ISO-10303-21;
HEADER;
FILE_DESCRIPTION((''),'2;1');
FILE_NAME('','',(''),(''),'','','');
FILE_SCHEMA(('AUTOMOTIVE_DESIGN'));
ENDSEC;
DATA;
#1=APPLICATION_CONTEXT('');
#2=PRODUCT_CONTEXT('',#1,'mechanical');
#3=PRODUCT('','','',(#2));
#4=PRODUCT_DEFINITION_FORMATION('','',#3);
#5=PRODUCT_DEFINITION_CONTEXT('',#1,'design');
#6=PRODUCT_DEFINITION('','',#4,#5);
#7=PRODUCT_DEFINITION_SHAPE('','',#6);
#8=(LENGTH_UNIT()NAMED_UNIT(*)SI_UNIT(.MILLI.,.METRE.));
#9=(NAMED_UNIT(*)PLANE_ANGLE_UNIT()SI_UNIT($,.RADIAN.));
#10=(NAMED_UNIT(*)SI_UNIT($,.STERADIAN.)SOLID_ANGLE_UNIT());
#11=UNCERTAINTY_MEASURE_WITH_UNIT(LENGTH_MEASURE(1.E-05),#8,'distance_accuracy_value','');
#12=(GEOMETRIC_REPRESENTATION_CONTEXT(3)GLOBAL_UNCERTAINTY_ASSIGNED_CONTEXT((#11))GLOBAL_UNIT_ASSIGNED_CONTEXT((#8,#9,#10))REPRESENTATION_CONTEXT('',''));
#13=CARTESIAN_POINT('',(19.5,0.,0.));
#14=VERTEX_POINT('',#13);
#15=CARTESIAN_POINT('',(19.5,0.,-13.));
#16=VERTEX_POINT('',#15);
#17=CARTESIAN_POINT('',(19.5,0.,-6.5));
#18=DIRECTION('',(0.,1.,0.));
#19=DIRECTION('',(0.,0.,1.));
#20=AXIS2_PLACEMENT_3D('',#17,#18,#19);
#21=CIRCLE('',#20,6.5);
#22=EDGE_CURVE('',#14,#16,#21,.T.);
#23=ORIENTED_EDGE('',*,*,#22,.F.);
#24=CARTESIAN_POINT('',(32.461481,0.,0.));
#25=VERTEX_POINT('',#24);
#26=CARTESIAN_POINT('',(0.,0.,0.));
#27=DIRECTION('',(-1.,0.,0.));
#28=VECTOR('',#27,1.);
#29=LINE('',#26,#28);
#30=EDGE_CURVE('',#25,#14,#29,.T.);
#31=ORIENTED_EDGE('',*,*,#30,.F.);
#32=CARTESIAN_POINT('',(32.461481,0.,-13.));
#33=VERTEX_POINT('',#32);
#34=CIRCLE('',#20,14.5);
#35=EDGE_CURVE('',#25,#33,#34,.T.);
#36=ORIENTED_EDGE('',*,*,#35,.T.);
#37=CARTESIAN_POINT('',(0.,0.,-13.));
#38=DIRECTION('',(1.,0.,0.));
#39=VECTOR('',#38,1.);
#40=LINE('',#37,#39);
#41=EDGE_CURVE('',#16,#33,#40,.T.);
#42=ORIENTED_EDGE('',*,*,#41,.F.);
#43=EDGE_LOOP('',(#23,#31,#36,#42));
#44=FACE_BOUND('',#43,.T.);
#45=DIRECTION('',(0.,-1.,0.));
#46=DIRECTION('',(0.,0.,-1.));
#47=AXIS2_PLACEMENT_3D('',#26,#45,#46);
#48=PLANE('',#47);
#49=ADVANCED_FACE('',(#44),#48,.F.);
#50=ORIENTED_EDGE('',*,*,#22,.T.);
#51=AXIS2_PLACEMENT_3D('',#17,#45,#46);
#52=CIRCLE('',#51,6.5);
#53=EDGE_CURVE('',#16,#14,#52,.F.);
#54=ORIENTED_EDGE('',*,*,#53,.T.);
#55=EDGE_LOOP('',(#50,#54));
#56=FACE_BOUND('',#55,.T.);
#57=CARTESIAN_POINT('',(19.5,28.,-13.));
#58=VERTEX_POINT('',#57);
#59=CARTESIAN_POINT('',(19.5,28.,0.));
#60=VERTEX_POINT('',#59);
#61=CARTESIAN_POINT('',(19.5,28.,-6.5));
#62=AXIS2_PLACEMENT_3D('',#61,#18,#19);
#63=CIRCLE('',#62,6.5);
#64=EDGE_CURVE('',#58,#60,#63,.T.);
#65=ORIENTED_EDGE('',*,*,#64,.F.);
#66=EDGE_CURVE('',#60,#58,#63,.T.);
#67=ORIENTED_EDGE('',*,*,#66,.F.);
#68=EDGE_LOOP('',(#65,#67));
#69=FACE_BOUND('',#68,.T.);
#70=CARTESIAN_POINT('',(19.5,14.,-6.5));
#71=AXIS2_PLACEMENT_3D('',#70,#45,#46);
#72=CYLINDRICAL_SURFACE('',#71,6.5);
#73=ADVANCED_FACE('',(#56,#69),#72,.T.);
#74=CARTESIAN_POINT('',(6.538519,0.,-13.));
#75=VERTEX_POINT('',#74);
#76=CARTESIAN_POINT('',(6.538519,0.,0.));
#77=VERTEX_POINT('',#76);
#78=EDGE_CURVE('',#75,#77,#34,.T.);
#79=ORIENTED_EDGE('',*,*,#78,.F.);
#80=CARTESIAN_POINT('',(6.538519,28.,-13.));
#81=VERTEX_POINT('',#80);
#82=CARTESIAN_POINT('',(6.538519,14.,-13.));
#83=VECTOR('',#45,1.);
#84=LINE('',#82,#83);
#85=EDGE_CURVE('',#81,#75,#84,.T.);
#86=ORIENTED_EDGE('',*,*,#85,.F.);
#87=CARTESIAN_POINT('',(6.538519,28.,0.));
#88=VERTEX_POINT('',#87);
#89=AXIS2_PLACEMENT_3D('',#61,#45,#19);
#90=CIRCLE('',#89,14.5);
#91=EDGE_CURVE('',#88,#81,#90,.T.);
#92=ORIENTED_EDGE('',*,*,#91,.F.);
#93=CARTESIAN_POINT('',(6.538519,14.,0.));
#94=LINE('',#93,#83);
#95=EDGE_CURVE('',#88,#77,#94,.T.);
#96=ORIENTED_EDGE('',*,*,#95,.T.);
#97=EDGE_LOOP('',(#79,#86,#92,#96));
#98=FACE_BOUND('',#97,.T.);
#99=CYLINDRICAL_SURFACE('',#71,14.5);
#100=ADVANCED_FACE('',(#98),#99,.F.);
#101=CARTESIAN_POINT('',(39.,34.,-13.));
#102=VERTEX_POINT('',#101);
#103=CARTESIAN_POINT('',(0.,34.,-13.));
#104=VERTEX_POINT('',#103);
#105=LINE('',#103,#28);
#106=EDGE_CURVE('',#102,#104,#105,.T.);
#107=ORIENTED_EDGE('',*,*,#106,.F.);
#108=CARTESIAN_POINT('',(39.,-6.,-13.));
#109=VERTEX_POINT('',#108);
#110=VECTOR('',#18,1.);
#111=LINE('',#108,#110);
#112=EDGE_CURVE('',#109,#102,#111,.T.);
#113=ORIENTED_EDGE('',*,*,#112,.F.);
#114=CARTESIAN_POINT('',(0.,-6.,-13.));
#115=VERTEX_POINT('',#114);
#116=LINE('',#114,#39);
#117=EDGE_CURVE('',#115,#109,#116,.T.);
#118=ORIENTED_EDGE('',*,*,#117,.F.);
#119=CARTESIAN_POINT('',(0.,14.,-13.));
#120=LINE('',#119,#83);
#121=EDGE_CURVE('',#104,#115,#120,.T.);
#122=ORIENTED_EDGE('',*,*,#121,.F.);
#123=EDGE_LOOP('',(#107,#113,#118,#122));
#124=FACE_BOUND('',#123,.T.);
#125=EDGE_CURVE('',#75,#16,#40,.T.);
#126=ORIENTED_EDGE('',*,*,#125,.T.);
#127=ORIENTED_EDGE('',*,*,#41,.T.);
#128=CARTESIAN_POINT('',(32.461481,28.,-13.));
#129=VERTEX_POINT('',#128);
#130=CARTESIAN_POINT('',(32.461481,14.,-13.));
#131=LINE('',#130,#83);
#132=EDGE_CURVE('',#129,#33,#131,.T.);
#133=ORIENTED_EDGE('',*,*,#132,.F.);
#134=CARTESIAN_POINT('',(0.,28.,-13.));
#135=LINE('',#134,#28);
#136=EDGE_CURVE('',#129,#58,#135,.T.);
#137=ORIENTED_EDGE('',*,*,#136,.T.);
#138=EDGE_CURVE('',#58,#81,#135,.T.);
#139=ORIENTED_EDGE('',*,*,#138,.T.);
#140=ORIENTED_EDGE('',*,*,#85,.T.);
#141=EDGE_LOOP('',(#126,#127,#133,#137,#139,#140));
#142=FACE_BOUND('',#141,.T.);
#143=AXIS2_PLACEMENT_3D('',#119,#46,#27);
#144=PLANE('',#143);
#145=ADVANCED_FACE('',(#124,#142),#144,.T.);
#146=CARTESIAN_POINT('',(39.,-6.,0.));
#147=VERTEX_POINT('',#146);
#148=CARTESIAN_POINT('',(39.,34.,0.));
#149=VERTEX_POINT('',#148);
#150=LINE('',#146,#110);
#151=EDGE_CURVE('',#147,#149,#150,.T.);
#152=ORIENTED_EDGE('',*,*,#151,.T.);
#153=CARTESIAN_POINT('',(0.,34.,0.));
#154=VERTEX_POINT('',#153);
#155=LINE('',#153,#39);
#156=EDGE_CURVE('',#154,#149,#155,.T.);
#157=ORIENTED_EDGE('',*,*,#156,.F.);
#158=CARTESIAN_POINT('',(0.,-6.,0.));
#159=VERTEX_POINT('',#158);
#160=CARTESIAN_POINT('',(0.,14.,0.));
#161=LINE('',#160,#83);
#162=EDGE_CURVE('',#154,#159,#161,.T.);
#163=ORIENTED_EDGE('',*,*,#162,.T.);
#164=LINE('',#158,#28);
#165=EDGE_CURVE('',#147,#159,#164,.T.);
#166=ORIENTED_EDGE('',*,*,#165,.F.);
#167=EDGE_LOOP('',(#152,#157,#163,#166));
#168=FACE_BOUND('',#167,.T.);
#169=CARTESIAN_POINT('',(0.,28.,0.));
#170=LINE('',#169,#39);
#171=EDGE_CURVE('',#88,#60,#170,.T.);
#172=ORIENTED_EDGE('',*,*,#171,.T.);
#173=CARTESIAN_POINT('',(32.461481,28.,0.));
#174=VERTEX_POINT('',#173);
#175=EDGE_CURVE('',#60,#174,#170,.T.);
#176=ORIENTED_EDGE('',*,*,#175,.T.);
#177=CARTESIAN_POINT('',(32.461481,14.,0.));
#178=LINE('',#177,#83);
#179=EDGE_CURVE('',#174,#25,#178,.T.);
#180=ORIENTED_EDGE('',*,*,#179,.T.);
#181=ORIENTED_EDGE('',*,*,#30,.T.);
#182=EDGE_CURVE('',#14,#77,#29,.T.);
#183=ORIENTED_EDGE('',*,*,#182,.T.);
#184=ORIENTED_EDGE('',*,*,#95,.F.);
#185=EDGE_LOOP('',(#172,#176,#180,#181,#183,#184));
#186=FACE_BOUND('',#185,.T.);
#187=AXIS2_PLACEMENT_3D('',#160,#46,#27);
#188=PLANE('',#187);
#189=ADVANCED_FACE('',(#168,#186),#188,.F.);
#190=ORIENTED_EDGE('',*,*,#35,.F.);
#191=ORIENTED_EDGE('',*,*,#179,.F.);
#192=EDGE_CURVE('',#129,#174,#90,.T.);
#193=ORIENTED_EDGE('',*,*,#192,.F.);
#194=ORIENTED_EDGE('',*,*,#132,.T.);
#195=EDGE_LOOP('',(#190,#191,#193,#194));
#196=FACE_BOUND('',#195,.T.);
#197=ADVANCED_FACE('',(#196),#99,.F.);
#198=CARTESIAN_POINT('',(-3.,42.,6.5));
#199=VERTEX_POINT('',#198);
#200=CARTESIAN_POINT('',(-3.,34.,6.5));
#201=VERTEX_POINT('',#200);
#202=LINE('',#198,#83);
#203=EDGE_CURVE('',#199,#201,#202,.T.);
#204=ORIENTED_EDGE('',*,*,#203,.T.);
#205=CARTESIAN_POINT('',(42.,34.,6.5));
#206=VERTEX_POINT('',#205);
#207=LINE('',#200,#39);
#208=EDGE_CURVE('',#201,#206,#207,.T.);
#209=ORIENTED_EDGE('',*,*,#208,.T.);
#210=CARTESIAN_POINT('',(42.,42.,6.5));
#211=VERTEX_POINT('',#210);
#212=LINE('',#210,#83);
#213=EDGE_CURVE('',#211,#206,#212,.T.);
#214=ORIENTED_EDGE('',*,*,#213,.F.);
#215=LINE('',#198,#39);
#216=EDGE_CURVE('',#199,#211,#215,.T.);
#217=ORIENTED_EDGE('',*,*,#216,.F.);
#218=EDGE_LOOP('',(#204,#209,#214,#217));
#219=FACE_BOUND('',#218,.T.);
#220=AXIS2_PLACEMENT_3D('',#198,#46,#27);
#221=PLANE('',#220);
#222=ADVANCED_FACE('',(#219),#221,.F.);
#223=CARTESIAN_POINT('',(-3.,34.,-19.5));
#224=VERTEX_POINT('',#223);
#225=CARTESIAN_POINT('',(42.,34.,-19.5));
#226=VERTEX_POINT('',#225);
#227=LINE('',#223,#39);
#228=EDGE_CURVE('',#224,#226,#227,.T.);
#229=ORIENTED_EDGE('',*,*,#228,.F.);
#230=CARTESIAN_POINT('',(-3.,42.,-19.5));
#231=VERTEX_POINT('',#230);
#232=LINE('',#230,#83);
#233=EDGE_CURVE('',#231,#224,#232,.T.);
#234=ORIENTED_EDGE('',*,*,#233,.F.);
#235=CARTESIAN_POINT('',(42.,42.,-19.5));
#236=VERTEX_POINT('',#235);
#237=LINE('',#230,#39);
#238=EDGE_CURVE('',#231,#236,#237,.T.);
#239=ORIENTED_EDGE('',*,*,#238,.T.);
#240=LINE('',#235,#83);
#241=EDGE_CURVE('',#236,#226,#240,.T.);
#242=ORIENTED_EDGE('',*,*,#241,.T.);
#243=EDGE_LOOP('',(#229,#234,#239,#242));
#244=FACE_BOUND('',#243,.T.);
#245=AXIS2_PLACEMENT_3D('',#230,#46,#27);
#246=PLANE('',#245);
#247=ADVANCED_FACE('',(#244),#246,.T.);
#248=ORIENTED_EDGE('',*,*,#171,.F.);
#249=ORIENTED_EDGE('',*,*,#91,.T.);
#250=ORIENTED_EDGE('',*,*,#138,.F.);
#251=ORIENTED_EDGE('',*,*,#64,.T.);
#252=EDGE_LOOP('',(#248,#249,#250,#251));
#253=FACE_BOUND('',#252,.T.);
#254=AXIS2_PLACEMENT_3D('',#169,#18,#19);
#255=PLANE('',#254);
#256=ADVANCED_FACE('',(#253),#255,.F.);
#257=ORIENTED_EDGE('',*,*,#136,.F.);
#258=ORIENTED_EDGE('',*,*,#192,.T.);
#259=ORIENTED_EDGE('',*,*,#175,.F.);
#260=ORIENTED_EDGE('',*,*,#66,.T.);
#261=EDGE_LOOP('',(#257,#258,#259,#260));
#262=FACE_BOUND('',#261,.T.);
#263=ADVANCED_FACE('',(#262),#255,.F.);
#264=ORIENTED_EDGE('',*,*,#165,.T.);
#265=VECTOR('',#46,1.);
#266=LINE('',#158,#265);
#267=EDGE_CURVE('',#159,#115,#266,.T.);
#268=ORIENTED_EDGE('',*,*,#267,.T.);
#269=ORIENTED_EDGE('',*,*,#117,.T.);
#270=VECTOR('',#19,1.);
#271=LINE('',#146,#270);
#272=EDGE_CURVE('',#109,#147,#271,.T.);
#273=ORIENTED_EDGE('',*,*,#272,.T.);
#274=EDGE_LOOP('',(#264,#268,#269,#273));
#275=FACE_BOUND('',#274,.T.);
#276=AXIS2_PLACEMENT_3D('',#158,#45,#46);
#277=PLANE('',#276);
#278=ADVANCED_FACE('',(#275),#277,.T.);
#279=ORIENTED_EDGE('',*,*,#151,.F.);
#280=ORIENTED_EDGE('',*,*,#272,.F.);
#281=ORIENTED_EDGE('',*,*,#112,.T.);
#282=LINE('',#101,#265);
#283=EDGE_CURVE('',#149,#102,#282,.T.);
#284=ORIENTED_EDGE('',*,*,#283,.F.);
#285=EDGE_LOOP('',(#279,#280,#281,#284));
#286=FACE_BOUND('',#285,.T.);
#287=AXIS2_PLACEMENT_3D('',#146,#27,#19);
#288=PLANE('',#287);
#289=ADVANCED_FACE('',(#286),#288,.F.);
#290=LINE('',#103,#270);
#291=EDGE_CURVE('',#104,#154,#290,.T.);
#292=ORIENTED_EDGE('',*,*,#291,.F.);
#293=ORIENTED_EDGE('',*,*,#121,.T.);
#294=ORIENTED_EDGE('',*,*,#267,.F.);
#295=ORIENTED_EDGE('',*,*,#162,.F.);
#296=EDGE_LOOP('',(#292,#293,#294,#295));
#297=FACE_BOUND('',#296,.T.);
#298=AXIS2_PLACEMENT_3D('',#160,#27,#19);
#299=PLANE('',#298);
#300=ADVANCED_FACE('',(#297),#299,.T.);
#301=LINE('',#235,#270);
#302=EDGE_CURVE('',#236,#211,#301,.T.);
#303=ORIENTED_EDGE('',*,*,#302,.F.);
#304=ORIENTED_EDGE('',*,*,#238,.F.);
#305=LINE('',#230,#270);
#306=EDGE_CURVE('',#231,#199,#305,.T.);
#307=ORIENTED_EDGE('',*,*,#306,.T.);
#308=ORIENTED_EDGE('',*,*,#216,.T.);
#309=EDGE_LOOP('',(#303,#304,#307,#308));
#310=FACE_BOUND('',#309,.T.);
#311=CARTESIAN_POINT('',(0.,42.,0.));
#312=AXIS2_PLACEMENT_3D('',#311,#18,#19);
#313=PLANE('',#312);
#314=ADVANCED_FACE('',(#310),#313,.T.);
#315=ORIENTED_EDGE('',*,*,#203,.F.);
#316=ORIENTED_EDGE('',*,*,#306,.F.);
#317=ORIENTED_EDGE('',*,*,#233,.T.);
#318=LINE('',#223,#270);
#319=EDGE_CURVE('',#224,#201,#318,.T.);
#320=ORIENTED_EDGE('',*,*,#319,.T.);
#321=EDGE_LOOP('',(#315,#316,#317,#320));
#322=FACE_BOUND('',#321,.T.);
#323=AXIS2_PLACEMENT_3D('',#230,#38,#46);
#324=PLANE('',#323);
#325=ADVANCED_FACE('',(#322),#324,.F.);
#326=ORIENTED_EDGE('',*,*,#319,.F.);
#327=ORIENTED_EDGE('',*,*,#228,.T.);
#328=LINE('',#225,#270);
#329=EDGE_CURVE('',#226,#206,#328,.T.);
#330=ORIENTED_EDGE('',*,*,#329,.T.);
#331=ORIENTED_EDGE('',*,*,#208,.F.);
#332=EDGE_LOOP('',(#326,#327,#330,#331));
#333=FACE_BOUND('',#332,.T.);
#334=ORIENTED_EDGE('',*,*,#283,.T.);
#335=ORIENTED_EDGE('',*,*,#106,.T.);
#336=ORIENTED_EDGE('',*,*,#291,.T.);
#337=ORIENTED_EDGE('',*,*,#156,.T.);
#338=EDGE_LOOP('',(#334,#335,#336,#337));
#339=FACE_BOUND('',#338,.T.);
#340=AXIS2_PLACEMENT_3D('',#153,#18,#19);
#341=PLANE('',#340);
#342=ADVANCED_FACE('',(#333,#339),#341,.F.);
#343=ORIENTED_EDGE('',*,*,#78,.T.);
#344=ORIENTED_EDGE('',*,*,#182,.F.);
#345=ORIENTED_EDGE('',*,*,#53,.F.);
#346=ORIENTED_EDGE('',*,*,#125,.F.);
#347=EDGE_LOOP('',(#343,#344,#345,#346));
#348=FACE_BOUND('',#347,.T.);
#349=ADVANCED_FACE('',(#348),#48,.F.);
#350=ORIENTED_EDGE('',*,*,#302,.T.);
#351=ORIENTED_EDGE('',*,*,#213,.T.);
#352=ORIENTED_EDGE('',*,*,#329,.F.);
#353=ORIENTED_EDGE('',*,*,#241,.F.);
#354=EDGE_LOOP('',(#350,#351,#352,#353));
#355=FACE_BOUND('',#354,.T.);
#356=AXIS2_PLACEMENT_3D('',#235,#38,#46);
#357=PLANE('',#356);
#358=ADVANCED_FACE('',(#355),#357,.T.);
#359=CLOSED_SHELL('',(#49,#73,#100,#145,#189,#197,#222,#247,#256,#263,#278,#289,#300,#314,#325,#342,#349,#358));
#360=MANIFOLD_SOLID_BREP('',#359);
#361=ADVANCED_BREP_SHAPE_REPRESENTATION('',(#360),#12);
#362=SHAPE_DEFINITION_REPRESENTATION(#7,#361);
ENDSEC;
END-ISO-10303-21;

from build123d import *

# Parameters (mm, degrees)
EXTRUDE_1_DEPTH   = 14
SKETCH_1_R        = 6.5
EXTRUDE_1_2_DEPTH = 14
EXTRUDE_1_3_DEPTH = 14
SKETCH_2_W        = 39
SKETCH_2_H        = 13
EXTRUDE_2_DEPTH   = 6
SKETCH_3_R        = 6.5
EXTRUDE_3_DEPTH   = 14
SKETCH_4_W        = 39
SKETCH_4_H        = 13
EXTRUDE_4_DEPTH   = 6
SKETCH_5_W        = 45
SKETCH_5_H        = 26
EXTRUDE_5_DEPTH   = 8


with BuildPart() as part:
    # Эскиз1 → Бобышка-Вытянуть1 (new body)
    with BuildSketch(Plane(origin=(0, 0, 0), x_dir=(1, 0, 0), z_dir=(0, 1, 0))):
        with BuildLine():
            Line((0, 13), (0, 0))
            Line((0, 0), (6.538518603, 0))
            ThreePointArc((6.538518603, 0), (5, 6.5), (6.538518603, 13))
            Line((6.538518603, 13), (0, 13))
        make_face()
    extrude(amount=EXTRUDE_1_DEPTH)



with BuildPart() as body_2:
    # Эскиз1 → Extrude 1 2 (new body)
    with BuildSketch(Plane(origin=(0, 0, 0), x_dir=(1, 0, 0), z_dir=(0, 1, 0))):
        with Locations(Location((19.5, 6.5, 0), (0, 0, 270))):
            Circle(SKETCH_1_R)
    extrude(amount=EXTRUDE_1_2_DEPTH)


with BuildPart() as body_3:
    # Эскиз1 → Extrude 1 3 (new body)
    with BuildSketch(Plane(origin=(0, 0, 0), x_dir=(1, 0, 0), z_dir=(0, 1, 0))):
        with BuildLine():
            ThreePointArc((34, 6.5), (33.61012899, 3.160200624), (32.461481397, 0))
            Line((32.461481397, 0), (39, 0))
            Line((39, 0), (39, 13))
            Line((39, 13), (32.461481397, 13))
            ThreePointArc((32.461481397, 13), (33.61012899, 9.839799376), (34, 6.5))
        make_face()
    extrude(amount=EXTRUDE_1_3_DEPTH)


with BuildPart() as part_1:
    add(part.part)

    add(body_2.part)  # Бобышка-Вытянуть2 merges body 2

    add(body_3.part)  # Бобышка-Вытянуть2 merges body 3
    # Эскиз2 → Бобышка-Вытянуть2 (add)
    with BuildSketch(Plane.XZ):
        with Locations((19.5, -6.5)):
            Rectangle(SKETCH_2_W, SKETCH_2_H)
    extrude(amount=EXTRUDE_2_DEPTH)

    # Эскиз3 → Бобышка-Вытянуть3 (add)
    with BuildSketch(Plane(origin=(0, 14, 0), x_dir=(1, 0, 0), z_dir=(0, 1, 0))):
        with Locations(Location((19.5, 6.5, 0), (0, 0, 270))):
            Circle(SKETCH_3_R)
        with BuildLine():
            Line((32.461481397, 0), (39, 0))
            Line((39, 0), (39, 13))
            Line((39, 13), (32.461481397, 13))
            ThreePointArc((32.461481397, 13), (34, 6.5), (32.461481397, 0))
        make_face()
        with BuildLine():
            Line((6.538518603, 13), (0, 13))
            Line((0, 13), (0, 0))
            Line((0, 0), (6.538518603, 0))
            ThreePointArc((6.538518603, 0), (5, 6.5), (6.538518603, 13))
        make_face()
    extrude(amount=EXTRUDE_3_DEPTH)

    # Эскиз4 → Бобышка-Вытянуть4 (add)
    with BuildSketch(Plane(origin=(0, 28, 0), x_dir=(1, 0, 0), z_dir=(0, 1, 0))):
        with Locations((19.5, 6.5)):
            Rectangle(SKETCH_4_W, SKETCH_4_H)
    extrude(amount=EXTRUDE_4_DEPTH)

    # Эскиз5 → Бобышка-Вытянуть5 (add)
    with BuildSketch(Plane(origin=(0, 34, 0), x_dir=(1, 0, 0), z_dir=(0, 1, 0))):
        with Locations((19.5, 6.5)):
            Rectangle(SKETCH_5_W, SKETCH_5_H)
    extrude(amount=EXTRUDE_5_DEPTH)


solid = part_1.part
